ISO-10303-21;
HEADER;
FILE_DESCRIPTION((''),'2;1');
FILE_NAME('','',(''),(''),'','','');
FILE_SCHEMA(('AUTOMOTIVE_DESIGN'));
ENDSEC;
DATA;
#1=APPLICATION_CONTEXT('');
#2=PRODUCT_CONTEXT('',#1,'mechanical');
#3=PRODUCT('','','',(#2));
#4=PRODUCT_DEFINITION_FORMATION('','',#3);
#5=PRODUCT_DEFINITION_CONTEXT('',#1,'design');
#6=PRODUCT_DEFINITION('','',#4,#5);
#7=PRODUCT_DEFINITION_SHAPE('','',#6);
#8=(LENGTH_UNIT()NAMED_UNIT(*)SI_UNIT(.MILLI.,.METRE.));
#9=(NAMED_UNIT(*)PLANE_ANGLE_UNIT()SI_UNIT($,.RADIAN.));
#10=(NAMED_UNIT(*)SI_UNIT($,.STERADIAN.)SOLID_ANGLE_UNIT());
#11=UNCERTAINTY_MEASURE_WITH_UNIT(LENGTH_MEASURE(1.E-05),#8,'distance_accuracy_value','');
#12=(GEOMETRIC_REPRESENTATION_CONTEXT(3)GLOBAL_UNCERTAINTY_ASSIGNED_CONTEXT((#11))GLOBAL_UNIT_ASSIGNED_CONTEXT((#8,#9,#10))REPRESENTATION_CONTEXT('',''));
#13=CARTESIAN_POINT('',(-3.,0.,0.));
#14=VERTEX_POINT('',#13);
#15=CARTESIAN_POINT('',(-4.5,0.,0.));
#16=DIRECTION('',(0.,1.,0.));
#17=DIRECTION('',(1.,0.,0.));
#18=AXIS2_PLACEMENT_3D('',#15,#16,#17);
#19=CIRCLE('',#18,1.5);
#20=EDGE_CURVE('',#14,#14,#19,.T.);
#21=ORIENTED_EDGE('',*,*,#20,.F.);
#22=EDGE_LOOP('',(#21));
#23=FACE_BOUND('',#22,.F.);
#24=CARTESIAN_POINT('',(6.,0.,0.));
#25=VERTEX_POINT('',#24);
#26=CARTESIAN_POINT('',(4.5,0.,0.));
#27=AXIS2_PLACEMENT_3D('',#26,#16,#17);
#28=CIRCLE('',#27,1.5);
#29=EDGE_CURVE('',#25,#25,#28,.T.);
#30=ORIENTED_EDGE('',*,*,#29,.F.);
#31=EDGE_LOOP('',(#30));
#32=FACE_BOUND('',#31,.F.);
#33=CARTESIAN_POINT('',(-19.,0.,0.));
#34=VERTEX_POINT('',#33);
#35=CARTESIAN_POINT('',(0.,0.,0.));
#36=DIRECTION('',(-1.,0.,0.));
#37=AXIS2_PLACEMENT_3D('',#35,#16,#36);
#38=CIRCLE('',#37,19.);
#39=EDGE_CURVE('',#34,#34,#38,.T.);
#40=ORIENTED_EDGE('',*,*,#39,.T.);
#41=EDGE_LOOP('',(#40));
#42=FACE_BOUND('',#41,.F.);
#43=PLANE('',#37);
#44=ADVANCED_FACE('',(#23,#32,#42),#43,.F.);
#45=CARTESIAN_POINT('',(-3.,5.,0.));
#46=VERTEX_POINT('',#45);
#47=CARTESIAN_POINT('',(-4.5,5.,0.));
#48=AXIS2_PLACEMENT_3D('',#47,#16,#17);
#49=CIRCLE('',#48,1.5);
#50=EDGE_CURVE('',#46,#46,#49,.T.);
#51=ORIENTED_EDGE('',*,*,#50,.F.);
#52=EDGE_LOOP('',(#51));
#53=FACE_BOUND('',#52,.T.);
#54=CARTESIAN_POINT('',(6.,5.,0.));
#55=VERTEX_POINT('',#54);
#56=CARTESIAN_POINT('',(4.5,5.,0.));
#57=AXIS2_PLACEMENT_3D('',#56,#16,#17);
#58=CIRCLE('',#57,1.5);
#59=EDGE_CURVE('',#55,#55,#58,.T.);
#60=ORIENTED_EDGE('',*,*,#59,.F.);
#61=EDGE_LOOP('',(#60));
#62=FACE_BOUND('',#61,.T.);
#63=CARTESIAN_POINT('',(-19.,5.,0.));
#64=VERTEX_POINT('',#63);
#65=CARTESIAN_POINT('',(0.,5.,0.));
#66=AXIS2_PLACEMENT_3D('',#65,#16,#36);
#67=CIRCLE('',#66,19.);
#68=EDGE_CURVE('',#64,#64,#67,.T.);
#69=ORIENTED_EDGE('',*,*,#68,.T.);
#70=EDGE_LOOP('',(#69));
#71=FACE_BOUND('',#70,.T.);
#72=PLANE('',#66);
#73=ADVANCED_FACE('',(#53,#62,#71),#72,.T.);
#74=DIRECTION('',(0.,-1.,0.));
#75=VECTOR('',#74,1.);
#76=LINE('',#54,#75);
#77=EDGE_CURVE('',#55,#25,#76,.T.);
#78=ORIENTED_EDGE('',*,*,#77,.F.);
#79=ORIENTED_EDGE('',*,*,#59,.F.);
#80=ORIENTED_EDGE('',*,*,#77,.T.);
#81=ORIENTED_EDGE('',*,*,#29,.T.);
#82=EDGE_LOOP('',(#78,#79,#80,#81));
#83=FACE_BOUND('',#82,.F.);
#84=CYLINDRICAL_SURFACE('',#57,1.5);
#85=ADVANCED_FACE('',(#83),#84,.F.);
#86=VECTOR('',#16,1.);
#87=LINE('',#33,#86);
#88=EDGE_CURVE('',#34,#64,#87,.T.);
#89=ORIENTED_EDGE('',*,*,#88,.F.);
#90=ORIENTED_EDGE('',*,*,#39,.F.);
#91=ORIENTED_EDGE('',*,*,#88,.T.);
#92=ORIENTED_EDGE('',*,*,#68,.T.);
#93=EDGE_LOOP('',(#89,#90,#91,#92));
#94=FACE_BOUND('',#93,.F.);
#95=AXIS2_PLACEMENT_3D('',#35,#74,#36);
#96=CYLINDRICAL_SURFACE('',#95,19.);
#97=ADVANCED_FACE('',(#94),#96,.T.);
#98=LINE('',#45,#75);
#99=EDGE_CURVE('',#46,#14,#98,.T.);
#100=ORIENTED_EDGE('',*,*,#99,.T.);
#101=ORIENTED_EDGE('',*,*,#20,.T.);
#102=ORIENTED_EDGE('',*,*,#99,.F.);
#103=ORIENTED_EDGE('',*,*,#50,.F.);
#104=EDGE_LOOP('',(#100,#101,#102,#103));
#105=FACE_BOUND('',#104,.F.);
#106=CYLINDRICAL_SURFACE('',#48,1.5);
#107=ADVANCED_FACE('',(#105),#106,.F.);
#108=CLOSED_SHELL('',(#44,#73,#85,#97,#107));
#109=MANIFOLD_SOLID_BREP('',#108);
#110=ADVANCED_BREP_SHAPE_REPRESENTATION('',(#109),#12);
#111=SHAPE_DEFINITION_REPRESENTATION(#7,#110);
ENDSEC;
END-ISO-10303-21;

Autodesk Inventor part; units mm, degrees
ref_plane "YZ Plane" through (0, 0, 0) normal (1, 0, 0) x (0, 1, 0)
ref_plane "XZ Plane" through (0, 0, 0) normal (0, 1, 0) x (-1, 0, 0)
ref_plane "XY Plane" through (0, 0, 0) normal (0, 0, 1) x (1, 0, 0)
sketch "Sketch1" plane through (0, 0, 0) normal (0, 1, 0) x (-1, 0, 0)
  circle A0 centre (0, 0) radius 19
  dimension "d0" = 38
extrude "Extrusion1" add sketch "Sketch1" along normal blind 5
sketch "Sketch2" plane through (0, 5, 0) normal (0, 1, 0) x (1, 0, 0)
  circle A0 centre (-4.5, 0) radius 1.5
  circle A1 centre (4.5, 0) radius 1.5
  point P0 (0, 0)
  dimension "d5" = 3
  dimension "d6" = 3
extrude "Extrusion2" cut sketch "Sketch2" against normal blind 5 contours A0
extrude "Extrusion3" cut sketch "Sketch2" against normal blind 5 contours A1
thread "Thread1" size "M3x0.5" class "6H" standard "ANSI Metric M Profile" full length
thread "Thread2" size "M3x0.5" class "6H" standard "ANSI Metric M Profile" full length
properties part number "tapa"
